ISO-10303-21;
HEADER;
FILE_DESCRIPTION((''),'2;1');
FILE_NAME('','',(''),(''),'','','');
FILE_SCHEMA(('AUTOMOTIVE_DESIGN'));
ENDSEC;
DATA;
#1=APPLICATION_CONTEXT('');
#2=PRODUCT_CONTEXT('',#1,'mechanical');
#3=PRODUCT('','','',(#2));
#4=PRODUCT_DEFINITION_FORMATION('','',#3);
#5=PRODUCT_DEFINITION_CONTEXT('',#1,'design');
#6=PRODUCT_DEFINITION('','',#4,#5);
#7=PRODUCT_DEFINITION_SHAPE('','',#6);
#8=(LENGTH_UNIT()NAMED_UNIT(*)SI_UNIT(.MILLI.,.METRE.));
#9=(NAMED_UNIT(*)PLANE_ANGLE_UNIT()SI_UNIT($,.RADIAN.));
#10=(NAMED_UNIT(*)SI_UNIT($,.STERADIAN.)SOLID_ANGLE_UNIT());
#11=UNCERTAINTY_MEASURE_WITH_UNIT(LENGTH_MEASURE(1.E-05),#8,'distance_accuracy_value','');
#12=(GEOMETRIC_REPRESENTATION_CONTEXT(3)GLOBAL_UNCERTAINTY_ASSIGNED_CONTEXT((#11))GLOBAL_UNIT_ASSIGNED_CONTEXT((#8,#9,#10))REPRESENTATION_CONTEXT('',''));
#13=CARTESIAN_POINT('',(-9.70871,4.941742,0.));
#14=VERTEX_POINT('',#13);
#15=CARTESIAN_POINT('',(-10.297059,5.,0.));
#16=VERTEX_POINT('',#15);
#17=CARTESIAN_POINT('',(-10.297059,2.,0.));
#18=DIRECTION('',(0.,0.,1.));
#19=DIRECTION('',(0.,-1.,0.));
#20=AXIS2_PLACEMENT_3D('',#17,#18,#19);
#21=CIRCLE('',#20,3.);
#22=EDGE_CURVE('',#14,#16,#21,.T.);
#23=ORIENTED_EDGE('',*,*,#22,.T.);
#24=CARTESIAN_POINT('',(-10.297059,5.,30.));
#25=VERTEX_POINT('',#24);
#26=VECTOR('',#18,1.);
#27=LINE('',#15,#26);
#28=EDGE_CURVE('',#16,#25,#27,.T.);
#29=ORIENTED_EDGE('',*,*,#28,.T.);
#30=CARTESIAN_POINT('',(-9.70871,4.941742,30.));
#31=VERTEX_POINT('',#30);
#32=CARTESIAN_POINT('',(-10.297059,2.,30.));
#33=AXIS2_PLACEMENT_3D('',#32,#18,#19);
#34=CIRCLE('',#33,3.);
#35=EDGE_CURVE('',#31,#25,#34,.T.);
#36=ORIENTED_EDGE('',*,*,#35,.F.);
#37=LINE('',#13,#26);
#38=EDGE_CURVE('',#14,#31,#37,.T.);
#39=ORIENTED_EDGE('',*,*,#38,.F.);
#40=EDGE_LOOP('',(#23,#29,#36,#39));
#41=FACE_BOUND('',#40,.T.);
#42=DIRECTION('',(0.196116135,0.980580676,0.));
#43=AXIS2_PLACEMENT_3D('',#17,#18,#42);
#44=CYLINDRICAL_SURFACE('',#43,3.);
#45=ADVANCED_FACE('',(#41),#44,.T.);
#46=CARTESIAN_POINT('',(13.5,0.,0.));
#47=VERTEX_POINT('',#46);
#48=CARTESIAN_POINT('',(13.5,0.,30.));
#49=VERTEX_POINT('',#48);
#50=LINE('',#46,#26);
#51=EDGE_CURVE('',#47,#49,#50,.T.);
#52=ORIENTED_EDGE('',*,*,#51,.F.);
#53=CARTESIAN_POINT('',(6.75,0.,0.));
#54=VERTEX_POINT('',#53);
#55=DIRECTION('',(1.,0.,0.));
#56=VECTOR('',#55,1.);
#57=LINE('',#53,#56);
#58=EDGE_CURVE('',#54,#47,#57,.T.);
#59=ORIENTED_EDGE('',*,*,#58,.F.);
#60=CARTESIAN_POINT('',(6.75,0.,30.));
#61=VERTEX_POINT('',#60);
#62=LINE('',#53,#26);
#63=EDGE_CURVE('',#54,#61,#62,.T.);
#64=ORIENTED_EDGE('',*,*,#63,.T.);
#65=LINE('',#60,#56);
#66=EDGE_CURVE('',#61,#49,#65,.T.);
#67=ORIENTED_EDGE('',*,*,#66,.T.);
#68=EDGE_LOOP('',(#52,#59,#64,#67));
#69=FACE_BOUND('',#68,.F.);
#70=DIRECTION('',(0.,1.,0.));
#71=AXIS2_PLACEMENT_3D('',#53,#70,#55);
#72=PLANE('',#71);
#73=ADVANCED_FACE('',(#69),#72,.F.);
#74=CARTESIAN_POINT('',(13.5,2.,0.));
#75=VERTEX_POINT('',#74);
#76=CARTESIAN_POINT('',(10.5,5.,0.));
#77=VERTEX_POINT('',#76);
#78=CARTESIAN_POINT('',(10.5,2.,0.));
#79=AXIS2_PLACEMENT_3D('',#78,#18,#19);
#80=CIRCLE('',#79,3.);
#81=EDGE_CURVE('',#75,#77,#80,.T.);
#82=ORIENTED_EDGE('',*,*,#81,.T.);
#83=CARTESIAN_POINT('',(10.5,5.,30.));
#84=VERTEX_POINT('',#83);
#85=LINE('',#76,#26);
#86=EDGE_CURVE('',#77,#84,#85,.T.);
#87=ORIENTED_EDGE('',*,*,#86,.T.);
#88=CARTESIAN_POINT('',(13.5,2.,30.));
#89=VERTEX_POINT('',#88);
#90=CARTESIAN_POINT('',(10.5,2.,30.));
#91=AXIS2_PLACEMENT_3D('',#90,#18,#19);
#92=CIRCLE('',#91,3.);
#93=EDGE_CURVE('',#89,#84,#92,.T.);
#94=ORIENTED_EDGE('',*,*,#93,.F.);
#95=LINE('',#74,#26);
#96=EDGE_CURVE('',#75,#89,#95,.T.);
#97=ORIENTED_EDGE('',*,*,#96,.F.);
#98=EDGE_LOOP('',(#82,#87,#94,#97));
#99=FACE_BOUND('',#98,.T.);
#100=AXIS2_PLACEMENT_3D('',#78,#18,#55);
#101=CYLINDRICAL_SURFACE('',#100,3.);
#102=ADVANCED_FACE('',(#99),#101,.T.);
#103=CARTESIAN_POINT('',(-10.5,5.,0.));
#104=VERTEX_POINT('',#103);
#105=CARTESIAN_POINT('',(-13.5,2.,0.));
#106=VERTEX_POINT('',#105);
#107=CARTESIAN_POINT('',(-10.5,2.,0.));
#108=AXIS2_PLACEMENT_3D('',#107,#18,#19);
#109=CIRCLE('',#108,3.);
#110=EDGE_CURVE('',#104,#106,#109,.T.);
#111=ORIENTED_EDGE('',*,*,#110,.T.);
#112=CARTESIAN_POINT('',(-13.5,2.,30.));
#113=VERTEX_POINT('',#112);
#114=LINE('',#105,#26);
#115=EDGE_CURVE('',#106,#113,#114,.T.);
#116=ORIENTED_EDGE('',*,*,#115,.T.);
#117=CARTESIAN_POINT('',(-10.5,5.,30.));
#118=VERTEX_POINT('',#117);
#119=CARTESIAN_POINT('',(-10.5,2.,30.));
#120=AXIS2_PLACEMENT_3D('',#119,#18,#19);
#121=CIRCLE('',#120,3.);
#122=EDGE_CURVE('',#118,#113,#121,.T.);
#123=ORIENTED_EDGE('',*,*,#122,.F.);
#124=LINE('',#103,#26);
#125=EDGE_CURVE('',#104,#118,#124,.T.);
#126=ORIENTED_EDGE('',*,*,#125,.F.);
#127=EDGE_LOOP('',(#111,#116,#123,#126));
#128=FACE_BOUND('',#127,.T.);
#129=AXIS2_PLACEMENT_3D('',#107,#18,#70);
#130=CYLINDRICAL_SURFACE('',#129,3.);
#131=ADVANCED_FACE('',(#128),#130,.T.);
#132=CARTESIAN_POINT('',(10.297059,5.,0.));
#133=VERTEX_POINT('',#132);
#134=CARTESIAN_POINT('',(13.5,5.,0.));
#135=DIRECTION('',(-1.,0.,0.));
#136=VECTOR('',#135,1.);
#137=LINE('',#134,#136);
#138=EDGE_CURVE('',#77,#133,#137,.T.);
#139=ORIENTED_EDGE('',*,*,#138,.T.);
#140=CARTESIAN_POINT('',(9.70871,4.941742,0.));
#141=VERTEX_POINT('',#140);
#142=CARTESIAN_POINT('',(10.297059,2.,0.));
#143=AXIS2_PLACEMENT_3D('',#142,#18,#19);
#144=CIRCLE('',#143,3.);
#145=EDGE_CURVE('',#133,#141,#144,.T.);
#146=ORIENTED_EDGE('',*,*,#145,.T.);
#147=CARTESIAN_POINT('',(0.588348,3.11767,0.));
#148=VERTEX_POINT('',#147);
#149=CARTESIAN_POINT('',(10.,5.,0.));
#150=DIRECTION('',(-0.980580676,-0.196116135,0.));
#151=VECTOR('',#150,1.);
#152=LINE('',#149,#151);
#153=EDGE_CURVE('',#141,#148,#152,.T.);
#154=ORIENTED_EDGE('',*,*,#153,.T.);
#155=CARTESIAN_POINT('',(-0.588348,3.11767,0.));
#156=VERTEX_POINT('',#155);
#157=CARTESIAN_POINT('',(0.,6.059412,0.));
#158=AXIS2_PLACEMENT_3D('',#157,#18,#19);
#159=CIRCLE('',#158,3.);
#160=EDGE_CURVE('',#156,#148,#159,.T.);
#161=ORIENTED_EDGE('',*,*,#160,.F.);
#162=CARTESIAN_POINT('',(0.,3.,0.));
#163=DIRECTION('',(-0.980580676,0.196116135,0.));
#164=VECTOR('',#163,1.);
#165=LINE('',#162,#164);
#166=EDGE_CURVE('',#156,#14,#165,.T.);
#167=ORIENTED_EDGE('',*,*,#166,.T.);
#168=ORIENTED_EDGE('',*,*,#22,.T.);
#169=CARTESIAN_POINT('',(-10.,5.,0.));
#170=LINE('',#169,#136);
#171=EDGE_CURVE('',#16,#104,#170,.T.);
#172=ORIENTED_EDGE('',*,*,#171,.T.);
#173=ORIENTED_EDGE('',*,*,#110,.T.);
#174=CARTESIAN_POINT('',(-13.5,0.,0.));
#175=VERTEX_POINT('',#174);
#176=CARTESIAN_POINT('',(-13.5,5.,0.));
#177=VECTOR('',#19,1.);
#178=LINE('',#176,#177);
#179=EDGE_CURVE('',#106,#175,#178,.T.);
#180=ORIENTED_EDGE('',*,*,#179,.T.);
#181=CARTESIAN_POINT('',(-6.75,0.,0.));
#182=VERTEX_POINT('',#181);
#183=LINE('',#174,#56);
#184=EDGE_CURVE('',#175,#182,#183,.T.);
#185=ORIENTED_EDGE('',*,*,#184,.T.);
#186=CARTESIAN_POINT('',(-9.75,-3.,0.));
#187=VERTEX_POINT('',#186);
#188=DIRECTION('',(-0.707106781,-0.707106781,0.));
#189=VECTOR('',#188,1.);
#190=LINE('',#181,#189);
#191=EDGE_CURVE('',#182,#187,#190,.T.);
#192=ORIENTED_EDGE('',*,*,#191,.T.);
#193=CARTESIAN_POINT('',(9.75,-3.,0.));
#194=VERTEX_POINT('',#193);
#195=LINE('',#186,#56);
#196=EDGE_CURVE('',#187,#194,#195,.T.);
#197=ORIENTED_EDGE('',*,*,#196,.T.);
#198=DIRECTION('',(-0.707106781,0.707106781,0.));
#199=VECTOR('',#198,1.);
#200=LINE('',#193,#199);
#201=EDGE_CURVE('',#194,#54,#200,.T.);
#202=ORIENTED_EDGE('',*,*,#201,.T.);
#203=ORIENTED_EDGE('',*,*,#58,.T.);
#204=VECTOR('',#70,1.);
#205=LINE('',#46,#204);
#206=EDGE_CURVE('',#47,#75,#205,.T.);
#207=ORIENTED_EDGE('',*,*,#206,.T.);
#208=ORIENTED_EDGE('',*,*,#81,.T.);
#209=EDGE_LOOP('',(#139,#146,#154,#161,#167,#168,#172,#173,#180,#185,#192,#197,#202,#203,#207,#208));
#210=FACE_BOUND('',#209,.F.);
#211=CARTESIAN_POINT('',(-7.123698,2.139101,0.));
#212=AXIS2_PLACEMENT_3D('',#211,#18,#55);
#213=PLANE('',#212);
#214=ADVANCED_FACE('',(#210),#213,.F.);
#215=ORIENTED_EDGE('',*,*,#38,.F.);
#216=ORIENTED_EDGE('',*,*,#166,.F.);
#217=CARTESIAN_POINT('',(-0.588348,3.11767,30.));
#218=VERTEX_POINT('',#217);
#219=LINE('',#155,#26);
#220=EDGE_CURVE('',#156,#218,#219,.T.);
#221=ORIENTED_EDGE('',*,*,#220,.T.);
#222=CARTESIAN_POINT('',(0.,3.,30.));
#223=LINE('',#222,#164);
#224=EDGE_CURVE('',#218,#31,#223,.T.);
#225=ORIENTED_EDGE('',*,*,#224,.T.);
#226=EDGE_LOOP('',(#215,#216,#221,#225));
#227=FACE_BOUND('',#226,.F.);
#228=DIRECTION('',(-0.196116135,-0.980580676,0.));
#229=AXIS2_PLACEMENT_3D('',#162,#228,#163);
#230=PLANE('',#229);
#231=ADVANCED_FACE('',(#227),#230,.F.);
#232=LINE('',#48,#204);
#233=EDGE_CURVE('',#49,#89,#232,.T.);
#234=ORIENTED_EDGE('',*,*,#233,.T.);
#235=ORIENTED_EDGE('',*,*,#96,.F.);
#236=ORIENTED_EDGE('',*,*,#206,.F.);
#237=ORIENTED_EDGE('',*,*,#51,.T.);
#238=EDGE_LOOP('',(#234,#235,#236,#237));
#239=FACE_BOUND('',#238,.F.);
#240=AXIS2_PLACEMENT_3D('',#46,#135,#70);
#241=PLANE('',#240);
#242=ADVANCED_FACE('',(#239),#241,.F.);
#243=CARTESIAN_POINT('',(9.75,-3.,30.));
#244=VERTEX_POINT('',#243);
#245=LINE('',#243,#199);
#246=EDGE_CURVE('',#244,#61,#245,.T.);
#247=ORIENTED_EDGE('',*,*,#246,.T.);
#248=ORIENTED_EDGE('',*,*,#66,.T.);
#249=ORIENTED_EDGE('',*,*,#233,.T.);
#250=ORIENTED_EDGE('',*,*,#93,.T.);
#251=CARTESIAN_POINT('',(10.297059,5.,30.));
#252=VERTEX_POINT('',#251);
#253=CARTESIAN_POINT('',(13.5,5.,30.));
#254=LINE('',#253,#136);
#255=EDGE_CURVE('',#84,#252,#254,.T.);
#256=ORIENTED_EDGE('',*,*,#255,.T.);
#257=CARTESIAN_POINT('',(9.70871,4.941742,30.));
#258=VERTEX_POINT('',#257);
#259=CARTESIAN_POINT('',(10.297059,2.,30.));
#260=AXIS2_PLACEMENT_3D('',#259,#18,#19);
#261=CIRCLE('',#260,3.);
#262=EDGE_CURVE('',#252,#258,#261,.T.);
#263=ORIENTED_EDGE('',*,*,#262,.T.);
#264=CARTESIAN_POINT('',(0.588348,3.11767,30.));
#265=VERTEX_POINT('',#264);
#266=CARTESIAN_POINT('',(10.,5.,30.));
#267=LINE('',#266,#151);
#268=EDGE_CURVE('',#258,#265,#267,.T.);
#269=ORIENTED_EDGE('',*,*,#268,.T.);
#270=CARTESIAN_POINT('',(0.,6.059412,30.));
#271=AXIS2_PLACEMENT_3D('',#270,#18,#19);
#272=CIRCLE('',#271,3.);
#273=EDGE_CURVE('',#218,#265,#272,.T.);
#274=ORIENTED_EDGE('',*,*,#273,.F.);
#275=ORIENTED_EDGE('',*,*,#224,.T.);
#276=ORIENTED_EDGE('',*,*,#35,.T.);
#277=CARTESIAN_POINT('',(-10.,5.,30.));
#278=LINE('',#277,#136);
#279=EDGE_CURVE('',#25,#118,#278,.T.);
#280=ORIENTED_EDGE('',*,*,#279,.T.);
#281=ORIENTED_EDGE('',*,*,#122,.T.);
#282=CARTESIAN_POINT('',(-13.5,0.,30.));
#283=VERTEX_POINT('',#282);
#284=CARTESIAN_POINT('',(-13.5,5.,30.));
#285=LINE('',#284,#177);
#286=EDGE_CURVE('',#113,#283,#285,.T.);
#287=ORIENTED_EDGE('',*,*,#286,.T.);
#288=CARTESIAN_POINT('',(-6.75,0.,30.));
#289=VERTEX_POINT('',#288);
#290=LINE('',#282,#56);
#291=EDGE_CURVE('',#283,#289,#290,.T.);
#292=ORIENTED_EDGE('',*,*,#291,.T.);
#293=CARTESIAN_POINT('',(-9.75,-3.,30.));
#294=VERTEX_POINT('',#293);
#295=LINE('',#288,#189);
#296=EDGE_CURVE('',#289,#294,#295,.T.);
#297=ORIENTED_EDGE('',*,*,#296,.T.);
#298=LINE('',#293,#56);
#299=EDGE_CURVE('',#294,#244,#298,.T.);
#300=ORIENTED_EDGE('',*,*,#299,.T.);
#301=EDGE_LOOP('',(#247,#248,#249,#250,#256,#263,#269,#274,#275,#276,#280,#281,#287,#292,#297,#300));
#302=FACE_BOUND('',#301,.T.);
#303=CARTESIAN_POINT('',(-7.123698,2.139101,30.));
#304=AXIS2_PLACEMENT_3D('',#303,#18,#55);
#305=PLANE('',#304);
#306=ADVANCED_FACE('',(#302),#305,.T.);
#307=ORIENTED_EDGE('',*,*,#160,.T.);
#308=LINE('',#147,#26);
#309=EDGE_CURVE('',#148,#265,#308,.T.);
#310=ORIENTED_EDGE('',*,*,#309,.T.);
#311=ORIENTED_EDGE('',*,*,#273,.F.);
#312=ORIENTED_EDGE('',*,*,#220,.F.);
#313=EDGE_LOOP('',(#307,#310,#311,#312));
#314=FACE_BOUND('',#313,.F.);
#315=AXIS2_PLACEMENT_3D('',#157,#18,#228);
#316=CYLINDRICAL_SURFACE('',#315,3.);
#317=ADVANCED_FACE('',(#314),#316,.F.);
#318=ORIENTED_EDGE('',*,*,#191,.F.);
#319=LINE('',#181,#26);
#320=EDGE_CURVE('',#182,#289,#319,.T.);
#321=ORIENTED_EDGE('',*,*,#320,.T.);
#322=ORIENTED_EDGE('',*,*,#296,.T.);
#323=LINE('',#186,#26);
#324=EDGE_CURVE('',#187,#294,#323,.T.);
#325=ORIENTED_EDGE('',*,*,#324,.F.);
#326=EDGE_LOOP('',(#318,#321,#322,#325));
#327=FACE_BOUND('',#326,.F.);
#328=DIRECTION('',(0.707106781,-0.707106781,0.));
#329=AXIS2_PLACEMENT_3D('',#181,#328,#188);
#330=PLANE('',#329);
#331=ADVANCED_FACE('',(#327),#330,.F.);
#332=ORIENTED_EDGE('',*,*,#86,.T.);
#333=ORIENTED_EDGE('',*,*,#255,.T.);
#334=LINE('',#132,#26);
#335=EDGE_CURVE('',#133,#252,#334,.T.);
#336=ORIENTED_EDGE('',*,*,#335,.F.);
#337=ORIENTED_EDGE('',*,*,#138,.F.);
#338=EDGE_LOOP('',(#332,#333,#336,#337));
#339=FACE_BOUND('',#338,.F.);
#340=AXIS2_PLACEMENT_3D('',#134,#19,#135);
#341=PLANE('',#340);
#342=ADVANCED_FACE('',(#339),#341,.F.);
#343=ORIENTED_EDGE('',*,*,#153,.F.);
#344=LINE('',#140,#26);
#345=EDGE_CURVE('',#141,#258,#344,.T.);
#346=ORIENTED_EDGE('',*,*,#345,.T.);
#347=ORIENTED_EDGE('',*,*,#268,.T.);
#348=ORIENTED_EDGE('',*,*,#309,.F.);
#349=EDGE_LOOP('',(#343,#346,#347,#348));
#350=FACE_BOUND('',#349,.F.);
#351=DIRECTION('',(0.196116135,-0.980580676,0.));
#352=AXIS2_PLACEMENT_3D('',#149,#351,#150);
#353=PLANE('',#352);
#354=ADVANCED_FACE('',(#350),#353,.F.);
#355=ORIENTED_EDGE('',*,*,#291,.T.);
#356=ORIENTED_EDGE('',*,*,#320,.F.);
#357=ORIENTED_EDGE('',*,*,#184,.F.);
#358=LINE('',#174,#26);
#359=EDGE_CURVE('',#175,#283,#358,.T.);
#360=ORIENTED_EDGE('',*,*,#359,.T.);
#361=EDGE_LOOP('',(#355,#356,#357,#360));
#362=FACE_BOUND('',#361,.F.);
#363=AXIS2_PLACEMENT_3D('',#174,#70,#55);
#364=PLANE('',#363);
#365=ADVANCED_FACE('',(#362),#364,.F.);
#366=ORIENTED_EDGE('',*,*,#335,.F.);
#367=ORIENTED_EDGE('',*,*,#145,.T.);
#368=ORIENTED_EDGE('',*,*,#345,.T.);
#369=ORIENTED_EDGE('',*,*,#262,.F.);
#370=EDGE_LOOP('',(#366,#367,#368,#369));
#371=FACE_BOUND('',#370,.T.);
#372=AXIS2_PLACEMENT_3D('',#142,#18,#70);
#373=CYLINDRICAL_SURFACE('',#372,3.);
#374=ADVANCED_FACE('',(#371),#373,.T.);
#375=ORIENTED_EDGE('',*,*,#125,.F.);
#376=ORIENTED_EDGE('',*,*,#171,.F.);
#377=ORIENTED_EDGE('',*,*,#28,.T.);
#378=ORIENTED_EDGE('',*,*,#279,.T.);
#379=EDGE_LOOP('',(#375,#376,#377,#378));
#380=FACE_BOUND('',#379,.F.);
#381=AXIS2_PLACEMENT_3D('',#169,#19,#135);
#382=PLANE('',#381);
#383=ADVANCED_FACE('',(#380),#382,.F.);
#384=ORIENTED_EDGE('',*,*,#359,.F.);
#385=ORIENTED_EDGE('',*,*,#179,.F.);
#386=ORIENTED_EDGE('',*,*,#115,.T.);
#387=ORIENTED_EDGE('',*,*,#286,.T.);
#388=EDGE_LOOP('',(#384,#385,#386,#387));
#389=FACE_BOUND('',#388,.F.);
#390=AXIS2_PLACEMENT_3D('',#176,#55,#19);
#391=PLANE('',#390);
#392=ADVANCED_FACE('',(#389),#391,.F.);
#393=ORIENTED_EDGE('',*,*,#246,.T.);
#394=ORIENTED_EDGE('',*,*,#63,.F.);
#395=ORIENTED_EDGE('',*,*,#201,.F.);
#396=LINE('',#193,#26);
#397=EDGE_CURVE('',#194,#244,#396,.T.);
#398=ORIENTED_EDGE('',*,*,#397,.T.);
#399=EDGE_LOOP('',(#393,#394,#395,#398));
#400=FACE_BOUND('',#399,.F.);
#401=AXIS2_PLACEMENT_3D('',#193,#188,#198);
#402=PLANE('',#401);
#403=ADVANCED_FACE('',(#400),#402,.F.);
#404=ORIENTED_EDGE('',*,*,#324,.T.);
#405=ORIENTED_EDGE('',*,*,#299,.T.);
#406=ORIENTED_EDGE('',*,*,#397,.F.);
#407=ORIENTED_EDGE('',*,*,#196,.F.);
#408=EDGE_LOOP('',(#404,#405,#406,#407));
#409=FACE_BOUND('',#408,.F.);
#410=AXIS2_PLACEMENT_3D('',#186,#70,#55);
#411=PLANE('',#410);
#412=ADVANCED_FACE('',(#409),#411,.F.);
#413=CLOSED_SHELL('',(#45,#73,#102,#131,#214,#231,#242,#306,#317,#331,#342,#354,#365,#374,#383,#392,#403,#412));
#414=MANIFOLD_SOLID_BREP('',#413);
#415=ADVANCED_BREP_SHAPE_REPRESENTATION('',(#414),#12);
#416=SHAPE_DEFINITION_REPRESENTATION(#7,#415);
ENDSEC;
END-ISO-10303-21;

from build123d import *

# Parameters (mm, degrees)
F1_DEPTH = 30
F2_R     = 3


with BuildPart() as f1:
    # F0 (on Top) → F1 (new body)
    with BuildSketch(Plane.XY):
        Polygon((-6.75, 0), (0, 0), (0, 3), (-10, 5), (-13.5, 5), (-13.5, 0), align=None)
        Polygon((0, -3), (0, 0), (-6.75, 0), (-9.75, -3), align=None)
        Polygon((6.75, 0), (0, 0), (0, -3), (9.75, -3), align=None)
        Polygon((0, 3), (0, 0), (6.75, 0), (13.5, 0), (13.5, 5), (10, 5), align=None)
    extrude(amount=F1_DEPTH)

    # F2
    f2_edges = [f1.edges().sort_by_distance(p)[0] for p in [
        (-13.5, 5, 15),
        (-10, 5, 15),
        (13.5, 5, 15),
        (10, 5, 15),
        (0, 3, 15),
    ]]
    fillet(f2_edges, radius=F2_R)


solid = f1.part
